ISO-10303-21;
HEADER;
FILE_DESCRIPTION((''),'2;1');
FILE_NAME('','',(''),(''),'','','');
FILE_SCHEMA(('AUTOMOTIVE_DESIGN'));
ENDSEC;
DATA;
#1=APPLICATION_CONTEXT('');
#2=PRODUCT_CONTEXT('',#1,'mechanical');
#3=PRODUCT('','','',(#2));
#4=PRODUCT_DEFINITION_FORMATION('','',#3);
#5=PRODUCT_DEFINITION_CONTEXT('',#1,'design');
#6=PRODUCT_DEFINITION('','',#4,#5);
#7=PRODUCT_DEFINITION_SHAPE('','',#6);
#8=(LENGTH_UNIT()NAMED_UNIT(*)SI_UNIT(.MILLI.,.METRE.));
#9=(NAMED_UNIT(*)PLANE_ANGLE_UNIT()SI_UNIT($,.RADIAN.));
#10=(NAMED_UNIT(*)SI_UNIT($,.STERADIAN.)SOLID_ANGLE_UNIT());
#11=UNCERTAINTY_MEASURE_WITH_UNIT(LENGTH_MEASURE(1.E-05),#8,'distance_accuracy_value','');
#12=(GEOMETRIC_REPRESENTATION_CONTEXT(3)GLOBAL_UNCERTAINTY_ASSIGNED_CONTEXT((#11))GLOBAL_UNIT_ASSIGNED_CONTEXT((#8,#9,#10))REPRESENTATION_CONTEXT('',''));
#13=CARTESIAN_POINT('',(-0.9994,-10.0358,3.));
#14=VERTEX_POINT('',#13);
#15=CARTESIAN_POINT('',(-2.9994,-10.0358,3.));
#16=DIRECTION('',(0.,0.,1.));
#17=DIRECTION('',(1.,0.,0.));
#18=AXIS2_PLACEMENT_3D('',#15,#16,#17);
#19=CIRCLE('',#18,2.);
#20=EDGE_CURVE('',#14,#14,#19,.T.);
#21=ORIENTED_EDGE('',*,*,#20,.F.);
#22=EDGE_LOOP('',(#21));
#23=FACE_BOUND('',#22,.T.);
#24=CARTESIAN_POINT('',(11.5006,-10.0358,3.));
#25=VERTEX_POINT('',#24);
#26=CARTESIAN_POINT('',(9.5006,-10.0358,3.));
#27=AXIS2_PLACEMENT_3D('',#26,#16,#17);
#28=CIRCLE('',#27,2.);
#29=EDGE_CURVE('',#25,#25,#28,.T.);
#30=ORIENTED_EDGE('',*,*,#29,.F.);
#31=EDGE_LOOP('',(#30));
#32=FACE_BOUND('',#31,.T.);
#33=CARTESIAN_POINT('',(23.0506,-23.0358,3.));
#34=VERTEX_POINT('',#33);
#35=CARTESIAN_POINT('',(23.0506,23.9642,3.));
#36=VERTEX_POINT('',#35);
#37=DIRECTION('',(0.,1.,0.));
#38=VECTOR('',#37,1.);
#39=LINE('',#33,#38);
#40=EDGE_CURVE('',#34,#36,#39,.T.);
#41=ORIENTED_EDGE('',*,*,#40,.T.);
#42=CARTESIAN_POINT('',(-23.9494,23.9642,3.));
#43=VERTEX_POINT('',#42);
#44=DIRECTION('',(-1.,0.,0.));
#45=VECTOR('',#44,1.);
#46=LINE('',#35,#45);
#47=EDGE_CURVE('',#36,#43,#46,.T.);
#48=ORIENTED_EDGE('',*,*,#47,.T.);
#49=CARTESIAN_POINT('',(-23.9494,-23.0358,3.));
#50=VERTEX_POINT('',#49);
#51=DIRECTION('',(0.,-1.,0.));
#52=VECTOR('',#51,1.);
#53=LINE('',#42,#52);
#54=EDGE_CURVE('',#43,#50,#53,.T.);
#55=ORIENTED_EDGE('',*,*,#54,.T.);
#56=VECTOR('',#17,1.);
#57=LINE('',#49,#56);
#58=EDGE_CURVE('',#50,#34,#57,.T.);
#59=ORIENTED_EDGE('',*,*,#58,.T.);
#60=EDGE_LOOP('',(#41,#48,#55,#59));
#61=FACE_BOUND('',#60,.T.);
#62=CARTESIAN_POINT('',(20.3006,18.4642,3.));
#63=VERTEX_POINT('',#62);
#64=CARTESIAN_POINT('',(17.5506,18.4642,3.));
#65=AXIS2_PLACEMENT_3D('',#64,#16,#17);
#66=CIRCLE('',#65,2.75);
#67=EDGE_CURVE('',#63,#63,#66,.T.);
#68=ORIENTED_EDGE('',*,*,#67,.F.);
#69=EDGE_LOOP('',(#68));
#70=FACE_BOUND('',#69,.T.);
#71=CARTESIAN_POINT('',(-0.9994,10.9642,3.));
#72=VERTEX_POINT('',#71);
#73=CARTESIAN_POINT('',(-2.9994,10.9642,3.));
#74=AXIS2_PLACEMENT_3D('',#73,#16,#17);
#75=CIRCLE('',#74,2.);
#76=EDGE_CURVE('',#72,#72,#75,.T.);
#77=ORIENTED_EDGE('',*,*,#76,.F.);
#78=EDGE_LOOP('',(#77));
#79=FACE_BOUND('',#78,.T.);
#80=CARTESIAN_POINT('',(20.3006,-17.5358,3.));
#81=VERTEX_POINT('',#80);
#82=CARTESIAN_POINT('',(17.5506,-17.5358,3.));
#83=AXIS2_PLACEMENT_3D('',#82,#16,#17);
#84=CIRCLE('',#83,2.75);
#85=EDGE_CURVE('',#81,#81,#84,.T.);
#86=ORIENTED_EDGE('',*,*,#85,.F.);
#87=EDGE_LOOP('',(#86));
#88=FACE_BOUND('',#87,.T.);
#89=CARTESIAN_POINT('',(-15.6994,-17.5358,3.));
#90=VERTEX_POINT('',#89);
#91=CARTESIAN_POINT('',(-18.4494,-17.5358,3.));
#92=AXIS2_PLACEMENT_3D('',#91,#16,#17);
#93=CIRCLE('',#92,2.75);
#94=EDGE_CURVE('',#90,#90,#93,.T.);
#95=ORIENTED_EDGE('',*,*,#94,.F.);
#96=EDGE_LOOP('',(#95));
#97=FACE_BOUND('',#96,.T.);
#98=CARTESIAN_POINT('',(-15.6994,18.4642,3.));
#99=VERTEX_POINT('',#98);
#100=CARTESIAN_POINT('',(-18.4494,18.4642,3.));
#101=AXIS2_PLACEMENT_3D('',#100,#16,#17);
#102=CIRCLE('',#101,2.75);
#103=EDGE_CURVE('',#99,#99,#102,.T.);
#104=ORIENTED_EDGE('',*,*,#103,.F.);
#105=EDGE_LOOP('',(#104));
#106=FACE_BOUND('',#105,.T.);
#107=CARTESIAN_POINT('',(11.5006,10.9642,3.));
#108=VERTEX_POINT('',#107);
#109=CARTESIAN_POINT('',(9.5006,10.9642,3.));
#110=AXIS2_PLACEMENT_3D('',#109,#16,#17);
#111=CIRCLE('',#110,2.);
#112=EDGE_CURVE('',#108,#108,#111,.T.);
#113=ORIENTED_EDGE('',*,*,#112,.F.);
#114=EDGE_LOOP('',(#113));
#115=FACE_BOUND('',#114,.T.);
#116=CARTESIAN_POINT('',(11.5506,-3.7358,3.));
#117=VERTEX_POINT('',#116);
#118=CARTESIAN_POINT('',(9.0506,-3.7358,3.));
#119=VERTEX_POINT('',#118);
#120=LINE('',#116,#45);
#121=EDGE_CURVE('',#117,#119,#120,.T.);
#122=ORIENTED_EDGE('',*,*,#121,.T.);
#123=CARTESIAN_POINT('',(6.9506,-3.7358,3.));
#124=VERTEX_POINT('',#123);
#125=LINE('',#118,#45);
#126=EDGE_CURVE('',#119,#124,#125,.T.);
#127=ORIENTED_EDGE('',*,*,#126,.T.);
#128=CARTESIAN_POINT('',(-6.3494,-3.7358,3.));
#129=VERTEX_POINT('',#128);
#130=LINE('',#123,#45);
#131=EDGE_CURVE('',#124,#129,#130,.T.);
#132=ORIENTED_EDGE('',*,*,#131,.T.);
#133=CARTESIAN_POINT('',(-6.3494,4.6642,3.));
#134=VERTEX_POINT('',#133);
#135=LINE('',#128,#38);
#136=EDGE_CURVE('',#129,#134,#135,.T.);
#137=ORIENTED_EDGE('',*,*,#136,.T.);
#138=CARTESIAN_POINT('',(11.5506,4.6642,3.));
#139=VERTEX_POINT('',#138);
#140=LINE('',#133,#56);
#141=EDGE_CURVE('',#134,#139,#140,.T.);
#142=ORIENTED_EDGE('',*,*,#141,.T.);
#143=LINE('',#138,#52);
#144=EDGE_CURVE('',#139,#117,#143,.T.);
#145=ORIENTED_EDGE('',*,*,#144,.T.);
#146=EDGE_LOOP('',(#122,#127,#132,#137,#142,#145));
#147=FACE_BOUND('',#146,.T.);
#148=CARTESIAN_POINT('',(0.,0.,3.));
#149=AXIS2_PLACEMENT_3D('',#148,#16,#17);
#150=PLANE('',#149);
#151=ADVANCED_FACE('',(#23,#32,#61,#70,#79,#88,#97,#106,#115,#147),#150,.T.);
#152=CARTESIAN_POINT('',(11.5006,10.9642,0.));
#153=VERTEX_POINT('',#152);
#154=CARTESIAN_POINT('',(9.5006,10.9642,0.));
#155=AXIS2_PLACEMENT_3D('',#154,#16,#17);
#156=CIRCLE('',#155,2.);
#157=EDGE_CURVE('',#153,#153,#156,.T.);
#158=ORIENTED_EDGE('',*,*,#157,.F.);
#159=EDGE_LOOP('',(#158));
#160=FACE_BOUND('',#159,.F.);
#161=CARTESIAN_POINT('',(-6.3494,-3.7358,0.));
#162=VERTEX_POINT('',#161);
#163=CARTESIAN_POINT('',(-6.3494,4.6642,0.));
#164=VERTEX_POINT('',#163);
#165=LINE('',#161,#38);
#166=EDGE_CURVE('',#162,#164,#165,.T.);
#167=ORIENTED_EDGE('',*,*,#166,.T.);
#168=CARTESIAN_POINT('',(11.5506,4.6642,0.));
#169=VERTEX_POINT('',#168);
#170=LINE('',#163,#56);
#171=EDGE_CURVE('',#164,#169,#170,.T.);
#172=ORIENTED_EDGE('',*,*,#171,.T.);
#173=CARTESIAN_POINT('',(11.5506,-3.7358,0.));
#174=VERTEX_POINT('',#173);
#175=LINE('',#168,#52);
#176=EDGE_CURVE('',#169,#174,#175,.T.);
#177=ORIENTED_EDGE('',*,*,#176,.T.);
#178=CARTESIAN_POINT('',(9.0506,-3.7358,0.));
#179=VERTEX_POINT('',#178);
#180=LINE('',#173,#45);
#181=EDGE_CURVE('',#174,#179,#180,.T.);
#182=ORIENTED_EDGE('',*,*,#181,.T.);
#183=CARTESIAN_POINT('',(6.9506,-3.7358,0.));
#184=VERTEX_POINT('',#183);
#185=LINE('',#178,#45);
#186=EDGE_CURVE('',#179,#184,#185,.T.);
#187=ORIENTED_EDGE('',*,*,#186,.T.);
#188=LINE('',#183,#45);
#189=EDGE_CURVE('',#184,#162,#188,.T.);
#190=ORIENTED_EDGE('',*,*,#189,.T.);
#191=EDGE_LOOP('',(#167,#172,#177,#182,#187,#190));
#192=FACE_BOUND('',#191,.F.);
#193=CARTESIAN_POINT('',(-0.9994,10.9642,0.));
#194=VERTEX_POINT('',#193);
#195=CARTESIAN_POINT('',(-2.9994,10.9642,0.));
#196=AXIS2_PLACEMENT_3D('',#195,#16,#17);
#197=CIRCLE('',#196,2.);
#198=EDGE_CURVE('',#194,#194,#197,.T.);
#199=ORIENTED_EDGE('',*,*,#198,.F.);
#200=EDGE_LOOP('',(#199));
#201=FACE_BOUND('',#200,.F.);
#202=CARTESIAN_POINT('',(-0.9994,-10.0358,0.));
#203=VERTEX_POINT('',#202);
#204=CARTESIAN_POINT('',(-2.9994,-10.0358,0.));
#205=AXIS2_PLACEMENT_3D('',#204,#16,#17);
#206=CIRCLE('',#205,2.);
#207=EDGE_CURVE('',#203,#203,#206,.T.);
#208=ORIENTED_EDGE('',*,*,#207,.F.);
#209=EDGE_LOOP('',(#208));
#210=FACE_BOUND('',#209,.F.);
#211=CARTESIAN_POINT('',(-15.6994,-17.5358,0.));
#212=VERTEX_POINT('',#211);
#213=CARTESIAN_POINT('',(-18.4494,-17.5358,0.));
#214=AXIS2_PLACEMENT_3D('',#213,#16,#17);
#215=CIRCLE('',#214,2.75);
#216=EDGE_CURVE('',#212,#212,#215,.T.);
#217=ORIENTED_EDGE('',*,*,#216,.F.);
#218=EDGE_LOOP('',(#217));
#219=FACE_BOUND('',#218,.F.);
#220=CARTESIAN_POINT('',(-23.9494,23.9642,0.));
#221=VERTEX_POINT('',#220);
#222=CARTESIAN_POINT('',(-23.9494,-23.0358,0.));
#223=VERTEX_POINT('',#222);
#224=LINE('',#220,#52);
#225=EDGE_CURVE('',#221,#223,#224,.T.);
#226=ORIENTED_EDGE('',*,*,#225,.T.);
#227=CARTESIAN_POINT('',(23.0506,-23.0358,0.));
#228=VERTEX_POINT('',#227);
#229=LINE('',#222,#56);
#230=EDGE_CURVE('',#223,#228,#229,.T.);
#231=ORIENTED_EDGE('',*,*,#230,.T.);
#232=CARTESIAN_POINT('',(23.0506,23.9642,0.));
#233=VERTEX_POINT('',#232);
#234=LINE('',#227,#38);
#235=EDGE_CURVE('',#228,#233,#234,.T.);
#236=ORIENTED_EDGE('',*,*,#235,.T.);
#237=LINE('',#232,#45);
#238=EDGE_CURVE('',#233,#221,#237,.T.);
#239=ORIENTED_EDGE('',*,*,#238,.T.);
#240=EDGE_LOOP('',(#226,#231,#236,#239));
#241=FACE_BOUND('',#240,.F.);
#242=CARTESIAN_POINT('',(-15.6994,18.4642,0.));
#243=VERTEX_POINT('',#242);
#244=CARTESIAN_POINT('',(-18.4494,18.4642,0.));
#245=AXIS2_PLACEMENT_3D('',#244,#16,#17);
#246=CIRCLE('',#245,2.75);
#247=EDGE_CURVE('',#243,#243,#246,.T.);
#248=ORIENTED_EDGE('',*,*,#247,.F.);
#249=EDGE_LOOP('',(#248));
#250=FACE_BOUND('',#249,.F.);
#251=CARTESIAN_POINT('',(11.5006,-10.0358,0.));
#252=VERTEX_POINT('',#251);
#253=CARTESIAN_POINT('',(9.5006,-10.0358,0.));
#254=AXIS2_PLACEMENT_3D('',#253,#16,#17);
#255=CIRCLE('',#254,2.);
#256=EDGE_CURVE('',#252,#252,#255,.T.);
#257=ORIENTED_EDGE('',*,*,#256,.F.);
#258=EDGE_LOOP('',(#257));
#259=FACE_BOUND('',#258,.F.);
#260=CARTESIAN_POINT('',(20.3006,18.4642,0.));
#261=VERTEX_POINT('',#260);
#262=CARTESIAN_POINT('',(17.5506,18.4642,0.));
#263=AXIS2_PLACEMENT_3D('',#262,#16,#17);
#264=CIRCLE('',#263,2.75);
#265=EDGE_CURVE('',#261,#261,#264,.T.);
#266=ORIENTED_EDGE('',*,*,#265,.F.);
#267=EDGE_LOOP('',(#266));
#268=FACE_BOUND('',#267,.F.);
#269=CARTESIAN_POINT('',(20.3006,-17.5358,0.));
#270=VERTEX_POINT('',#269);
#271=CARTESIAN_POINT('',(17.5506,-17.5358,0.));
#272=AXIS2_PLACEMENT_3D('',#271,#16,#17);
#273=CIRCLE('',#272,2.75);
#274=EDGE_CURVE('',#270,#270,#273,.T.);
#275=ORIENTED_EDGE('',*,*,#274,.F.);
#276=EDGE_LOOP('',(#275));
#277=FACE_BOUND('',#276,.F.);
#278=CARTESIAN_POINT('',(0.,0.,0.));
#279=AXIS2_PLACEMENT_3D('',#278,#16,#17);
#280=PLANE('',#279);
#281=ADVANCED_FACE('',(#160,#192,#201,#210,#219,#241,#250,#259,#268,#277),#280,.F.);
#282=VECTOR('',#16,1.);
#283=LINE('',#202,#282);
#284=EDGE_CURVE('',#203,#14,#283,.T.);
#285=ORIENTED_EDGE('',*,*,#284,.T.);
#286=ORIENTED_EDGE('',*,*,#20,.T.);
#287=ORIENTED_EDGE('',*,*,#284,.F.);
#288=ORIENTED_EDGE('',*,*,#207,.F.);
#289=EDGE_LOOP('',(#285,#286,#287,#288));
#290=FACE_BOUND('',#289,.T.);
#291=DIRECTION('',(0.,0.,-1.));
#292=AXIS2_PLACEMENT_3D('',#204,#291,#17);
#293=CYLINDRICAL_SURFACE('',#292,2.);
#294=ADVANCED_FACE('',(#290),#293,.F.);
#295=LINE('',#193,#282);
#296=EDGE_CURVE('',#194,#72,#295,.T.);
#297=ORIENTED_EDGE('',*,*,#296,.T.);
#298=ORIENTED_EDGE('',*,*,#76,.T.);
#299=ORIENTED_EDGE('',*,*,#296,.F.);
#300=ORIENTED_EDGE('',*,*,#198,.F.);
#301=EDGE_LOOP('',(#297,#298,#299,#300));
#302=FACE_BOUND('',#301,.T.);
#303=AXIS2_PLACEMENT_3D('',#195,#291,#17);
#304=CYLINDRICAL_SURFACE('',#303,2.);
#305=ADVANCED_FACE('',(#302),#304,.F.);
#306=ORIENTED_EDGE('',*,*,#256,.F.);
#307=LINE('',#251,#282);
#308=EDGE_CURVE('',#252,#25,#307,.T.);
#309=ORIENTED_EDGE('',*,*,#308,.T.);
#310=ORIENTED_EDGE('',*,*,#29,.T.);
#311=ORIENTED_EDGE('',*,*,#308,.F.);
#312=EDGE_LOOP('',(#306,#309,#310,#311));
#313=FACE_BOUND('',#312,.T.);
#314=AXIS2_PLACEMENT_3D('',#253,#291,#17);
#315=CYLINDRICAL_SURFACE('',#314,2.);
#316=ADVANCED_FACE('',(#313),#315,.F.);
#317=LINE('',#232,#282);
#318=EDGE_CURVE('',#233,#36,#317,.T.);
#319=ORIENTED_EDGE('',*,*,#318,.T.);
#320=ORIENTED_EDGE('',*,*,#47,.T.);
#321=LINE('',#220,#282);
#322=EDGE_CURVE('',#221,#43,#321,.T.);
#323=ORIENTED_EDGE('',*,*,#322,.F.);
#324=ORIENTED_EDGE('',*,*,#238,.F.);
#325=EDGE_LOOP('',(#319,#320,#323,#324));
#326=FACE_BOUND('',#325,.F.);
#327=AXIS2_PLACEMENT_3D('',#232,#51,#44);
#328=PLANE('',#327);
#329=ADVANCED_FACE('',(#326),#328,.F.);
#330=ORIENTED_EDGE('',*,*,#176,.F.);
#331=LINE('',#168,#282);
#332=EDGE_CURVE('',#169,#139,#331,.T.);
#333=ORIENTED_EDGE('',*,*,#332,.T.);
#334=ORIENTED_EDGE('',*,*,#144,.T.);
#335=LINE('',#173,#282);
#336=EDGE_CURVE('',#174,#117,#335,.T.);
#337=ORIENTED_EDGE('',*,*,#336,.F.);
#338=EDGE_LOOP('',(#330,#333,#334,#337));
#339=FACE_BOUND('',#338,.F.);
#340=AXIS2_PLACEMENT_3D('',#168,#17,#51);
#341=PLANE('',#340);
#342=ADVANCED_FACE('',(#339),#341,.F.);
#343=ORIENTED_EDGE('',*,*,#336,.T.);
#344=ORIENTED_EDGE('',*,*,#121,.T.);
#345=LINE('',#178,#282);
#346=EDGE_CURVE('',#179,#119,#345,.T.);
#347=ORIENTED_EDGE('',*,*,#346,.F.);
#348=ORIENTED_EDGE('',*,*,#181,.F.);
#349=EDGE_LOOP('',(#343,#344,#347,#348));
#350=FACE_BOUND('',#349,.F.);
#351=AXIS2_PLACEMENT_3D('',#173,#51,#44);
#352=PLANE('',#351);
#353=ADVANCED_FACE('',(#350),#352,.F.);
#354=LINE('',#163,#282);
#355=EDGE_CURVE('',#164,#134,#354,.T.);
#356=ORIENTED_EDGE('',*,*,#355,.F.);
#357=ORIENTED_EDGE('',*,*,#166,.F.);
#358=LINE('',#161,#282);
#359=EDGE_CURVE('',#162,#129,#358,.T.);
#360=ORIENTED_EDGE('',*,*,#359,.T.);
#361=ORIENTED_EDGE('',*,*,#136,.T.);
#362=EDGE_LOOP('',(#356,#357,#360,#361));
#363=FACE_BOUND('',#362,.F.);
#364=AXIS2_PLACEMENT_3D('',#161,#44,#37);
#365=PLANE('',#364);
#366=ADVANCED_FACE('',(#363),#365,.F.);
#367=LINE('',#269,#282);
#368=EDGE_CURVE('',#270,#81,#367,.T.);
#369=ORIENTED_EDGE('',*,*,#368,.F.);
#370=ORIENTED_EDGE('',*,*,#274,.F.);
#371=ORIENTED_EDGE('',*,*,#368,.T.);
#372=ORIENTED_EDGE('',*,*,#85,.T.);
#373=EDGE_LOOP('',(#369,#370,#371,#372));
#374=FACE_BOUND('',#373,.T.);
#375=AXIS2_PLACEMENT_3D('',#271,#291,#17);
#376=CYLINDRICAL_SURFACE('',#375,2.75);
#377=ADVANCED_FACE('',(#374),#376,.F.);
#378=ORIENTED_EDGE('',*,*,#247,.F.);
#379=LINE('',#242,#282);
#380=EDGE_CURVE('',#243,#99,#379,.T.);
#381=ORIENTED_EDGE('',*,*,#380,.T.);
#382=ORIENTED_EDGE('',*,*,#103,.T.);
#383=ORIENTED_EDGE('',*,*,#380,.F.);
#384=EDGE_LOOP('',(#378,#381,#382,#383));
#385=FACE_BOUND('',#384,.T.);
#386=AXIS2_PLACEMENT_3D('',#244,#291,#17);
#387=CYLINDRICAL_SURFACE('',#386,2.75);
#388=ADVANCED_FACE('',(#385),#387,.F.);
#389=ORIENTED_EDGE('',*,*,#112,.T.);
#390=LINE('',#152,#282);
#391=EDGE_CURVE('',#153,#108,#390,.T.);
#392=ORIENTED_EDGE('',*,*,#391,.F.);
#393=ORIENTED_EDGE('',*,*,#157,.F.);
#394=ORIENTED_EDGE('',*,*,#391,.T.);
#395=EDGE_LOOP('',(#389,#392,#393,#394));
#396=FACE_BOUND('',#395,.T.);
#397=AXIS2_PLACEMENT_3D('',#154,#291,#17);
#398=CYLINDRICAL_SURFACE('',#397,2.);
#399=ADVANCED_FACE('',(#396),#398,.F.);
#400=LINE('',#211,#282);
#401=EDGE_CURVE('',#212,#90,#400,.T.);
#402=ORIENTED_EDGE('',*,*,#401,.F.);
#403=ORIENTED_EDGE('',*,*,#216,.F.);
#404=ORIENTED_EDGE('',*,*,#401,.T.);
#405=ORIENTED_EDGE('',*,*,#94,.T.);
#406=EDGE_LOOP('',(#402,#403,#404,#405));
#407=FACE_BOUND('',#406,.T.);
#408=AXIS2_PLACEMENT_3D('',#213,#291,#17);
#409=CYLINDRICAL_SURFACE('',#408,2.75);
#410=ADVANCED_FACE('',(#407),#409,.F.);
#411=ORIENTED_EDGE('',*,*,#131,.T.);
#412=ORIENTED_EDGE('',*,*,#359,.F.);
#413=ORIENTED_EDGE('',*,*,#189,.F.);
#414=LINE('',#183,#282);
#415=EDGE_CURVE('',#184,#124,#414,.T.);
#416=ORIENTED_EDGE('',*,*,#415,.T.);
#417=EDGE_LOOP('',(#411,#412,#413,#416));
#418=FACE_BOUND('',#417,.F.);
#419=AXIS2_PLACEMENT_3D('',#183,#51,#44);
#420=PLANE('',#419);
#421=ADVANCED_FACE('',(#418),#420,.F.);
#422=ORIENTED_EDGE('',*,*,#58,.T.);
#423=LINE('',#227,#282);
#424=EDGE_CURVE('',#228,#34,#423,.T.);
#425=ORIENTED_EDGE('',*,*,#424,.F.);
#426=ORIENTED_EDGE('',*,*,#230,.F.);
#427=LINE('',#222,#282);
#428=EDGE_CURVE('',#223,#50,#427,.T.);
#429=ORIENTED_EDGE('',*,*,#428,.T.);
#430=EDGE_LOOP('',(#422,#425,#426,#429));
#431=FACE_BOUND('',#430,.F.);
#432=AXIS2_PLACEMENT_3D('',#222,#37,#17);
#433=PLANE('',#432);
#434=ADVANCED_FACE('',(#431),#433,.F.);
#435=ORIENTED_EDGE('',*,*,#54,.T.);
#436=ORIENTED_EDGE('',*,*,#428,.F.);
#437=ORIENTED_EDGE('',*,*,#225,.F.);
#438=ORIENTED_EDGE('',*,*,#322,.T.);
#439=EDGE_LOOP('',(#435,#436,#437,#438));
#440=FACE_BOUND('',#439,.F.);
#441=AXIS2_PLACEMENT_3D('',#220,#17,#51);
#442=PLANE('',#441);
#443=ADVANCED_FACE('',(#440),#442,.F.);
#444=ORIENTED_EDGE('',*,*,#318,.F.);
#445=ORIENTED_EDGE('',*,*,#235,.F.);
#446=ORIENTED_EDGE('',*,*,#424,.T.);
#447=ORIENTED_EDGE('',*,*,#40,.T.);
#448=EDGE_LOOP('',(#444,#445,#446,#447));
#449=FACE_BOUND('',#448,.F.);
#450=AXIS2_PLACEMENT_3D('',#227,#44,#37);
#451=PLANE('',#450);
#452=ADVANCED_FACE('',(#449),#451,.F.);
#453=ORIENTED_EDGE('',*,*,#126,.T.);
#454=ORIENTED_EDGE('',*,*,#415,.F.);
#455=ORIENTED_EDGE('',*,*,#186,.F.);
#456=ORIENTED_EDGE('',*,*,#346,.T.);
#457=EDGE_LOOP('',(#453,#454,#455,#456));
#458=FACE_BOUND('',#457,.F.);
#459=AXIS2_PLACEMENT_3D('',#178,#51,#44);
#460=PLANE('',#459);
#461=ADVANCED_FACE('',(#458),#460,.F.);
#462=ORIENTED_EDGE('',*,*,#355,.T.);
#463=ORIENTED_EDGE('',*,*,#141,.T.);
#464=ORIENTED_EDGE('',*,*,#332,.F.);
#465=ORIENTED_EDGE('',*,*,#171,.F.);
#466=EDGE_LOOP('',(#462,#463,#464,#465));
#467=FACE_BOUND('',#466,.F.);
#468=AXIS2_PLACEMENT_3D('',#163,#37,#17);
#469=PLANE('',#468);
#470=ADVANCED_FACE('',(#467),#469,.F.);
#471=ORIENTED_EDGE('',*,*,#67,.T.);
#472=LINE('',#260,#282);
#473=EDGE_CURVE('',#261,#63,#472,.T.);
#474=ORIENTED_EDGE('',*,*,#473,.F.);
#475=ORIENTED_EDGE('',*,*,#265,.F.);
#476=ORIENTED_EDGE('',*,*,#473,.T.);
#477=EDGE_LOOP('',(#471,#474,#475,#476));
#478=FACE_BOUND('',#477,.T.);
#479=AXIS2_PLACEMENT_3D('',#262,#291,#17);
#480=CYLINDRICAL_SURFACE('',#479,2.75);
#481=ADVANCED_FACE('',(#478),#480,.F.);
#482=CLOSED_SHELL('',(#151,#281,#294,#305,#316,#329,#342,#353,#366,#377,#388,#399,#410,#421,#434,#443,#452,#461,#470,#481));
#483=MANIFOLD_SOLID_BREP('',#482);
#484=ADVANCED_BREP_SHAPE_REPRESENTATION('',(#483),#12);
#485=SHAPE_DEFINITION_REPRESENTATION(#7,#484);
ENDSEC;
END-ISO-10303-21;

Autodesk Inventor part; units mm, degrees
ref_plane "YZ Plane" through (0, 0, 0) normal (1, 0, 0) x (0, 1, 0)
ref_plane "XZ Plane" through (0, 0, 0) normal (0, 1, 0) x (-1, 0, 0)
ref_plane "XY Plane" through (0, 0, 0) normal (0, 0, 1) x (1, 0, 0)
sketch "Sketch1" plane through (0, 0, 0) normal (0, 0, 1) x (1, 0, 0)
  circle A0 centre (9.5006, -10.0358) radius 2
  circle A1 centre (-2.9994, -10.0358) radius 2
  circle A2 centre (-2.9994, 10.9642) radius 2
  circle A3 centre (9.5006, 10.9642) radius 2
  line L0 (9.0506, -3.7358) -> (6.9506, -3.7358)
  line L1 (6.9506, -3.7358) -> (-6.3494, -3.7358)
  line L2 (-6.3494, -3.7358) -> (-6.3494, 4.6642)
  line L3 (-6.3494, 4.6642) -> (11.5506, 4.6642)
  line L4 (11.5506, 4.6642) -> (11.5506, -3.7358)
  line L5 (11.5506, -3.7358) -> (9.0506, -3.7358)
  line L6 (9.0506, -3.7358) -> (9.0506, -8.5358) construction
  line L7 (9.0506, -8.5358) -> (6.9506, -8.5358) construction
  line L8 (6.9506, -8.5358) -> (6.9506, -3.7358) construction
  line L9 (-23.9494, 23.9642) -> (-23.9494, -23.0358)
  circle A4 centre (-18.4494, -17.5358) radius 1.4 construction
  circle A5 centre (-18.4494, 18.4642) radius 1.4 construction
  circle A6 centre (17.5506, 18.4642) radius 1.4 construction
  circle A7 centre (17.5506, -17.5358) radius 1.4 construction
  circle A8 centre (-18.4494, -17.5358) radius 1.4 construction
  circle A9 centre (17.5506, -17.5358) radius 1.4 construction
  circle A10 centre (17.5506, 18.4642) radius 1.4 construction
  circle A11 centre (-18.4494, 18.4642) radius 1.4 construction
  circle A12 centre (-2.9994, 10.9642) radius 0.9
  circle A13 centre (9.5006, 10.9642) radius 0.9
  circle A14 centre (9.5006, -10.0358) radius 0.9
  circle A15 centre (-2.9994, -10.0358) radius 0.9
  line L10 (-23.9494, -23.0358) -> (23.0506, -23.0358)
  line L11 (23.0506, -23.0358) -> (23.0506, 23.9642)
  line L12 (23.0506, 23.9642) -> (-23.9494, 23.9642)
  line L13 (10.4426, -23.0358) -> (10.4426, 23.9642) construction
  line L14 (-22.2241, 23.9642) -> (-22.2241, -23.0358) construction
  circle A16 centre (17.5506, -17.5358) radius 2.75
  circle A17 centre (-18.4494, -17.5358) radius 2.75
  circle A18 centre (17.5506, 18.4642) radius 2.75
  circle A19 centre (-18.4494, 18.4642) radius 2.75
  point P0 (0, 0)
extrude "Extrusion1" add sketch "Sketch1" along normal blind 3 contours L12 L11 L10 L9
